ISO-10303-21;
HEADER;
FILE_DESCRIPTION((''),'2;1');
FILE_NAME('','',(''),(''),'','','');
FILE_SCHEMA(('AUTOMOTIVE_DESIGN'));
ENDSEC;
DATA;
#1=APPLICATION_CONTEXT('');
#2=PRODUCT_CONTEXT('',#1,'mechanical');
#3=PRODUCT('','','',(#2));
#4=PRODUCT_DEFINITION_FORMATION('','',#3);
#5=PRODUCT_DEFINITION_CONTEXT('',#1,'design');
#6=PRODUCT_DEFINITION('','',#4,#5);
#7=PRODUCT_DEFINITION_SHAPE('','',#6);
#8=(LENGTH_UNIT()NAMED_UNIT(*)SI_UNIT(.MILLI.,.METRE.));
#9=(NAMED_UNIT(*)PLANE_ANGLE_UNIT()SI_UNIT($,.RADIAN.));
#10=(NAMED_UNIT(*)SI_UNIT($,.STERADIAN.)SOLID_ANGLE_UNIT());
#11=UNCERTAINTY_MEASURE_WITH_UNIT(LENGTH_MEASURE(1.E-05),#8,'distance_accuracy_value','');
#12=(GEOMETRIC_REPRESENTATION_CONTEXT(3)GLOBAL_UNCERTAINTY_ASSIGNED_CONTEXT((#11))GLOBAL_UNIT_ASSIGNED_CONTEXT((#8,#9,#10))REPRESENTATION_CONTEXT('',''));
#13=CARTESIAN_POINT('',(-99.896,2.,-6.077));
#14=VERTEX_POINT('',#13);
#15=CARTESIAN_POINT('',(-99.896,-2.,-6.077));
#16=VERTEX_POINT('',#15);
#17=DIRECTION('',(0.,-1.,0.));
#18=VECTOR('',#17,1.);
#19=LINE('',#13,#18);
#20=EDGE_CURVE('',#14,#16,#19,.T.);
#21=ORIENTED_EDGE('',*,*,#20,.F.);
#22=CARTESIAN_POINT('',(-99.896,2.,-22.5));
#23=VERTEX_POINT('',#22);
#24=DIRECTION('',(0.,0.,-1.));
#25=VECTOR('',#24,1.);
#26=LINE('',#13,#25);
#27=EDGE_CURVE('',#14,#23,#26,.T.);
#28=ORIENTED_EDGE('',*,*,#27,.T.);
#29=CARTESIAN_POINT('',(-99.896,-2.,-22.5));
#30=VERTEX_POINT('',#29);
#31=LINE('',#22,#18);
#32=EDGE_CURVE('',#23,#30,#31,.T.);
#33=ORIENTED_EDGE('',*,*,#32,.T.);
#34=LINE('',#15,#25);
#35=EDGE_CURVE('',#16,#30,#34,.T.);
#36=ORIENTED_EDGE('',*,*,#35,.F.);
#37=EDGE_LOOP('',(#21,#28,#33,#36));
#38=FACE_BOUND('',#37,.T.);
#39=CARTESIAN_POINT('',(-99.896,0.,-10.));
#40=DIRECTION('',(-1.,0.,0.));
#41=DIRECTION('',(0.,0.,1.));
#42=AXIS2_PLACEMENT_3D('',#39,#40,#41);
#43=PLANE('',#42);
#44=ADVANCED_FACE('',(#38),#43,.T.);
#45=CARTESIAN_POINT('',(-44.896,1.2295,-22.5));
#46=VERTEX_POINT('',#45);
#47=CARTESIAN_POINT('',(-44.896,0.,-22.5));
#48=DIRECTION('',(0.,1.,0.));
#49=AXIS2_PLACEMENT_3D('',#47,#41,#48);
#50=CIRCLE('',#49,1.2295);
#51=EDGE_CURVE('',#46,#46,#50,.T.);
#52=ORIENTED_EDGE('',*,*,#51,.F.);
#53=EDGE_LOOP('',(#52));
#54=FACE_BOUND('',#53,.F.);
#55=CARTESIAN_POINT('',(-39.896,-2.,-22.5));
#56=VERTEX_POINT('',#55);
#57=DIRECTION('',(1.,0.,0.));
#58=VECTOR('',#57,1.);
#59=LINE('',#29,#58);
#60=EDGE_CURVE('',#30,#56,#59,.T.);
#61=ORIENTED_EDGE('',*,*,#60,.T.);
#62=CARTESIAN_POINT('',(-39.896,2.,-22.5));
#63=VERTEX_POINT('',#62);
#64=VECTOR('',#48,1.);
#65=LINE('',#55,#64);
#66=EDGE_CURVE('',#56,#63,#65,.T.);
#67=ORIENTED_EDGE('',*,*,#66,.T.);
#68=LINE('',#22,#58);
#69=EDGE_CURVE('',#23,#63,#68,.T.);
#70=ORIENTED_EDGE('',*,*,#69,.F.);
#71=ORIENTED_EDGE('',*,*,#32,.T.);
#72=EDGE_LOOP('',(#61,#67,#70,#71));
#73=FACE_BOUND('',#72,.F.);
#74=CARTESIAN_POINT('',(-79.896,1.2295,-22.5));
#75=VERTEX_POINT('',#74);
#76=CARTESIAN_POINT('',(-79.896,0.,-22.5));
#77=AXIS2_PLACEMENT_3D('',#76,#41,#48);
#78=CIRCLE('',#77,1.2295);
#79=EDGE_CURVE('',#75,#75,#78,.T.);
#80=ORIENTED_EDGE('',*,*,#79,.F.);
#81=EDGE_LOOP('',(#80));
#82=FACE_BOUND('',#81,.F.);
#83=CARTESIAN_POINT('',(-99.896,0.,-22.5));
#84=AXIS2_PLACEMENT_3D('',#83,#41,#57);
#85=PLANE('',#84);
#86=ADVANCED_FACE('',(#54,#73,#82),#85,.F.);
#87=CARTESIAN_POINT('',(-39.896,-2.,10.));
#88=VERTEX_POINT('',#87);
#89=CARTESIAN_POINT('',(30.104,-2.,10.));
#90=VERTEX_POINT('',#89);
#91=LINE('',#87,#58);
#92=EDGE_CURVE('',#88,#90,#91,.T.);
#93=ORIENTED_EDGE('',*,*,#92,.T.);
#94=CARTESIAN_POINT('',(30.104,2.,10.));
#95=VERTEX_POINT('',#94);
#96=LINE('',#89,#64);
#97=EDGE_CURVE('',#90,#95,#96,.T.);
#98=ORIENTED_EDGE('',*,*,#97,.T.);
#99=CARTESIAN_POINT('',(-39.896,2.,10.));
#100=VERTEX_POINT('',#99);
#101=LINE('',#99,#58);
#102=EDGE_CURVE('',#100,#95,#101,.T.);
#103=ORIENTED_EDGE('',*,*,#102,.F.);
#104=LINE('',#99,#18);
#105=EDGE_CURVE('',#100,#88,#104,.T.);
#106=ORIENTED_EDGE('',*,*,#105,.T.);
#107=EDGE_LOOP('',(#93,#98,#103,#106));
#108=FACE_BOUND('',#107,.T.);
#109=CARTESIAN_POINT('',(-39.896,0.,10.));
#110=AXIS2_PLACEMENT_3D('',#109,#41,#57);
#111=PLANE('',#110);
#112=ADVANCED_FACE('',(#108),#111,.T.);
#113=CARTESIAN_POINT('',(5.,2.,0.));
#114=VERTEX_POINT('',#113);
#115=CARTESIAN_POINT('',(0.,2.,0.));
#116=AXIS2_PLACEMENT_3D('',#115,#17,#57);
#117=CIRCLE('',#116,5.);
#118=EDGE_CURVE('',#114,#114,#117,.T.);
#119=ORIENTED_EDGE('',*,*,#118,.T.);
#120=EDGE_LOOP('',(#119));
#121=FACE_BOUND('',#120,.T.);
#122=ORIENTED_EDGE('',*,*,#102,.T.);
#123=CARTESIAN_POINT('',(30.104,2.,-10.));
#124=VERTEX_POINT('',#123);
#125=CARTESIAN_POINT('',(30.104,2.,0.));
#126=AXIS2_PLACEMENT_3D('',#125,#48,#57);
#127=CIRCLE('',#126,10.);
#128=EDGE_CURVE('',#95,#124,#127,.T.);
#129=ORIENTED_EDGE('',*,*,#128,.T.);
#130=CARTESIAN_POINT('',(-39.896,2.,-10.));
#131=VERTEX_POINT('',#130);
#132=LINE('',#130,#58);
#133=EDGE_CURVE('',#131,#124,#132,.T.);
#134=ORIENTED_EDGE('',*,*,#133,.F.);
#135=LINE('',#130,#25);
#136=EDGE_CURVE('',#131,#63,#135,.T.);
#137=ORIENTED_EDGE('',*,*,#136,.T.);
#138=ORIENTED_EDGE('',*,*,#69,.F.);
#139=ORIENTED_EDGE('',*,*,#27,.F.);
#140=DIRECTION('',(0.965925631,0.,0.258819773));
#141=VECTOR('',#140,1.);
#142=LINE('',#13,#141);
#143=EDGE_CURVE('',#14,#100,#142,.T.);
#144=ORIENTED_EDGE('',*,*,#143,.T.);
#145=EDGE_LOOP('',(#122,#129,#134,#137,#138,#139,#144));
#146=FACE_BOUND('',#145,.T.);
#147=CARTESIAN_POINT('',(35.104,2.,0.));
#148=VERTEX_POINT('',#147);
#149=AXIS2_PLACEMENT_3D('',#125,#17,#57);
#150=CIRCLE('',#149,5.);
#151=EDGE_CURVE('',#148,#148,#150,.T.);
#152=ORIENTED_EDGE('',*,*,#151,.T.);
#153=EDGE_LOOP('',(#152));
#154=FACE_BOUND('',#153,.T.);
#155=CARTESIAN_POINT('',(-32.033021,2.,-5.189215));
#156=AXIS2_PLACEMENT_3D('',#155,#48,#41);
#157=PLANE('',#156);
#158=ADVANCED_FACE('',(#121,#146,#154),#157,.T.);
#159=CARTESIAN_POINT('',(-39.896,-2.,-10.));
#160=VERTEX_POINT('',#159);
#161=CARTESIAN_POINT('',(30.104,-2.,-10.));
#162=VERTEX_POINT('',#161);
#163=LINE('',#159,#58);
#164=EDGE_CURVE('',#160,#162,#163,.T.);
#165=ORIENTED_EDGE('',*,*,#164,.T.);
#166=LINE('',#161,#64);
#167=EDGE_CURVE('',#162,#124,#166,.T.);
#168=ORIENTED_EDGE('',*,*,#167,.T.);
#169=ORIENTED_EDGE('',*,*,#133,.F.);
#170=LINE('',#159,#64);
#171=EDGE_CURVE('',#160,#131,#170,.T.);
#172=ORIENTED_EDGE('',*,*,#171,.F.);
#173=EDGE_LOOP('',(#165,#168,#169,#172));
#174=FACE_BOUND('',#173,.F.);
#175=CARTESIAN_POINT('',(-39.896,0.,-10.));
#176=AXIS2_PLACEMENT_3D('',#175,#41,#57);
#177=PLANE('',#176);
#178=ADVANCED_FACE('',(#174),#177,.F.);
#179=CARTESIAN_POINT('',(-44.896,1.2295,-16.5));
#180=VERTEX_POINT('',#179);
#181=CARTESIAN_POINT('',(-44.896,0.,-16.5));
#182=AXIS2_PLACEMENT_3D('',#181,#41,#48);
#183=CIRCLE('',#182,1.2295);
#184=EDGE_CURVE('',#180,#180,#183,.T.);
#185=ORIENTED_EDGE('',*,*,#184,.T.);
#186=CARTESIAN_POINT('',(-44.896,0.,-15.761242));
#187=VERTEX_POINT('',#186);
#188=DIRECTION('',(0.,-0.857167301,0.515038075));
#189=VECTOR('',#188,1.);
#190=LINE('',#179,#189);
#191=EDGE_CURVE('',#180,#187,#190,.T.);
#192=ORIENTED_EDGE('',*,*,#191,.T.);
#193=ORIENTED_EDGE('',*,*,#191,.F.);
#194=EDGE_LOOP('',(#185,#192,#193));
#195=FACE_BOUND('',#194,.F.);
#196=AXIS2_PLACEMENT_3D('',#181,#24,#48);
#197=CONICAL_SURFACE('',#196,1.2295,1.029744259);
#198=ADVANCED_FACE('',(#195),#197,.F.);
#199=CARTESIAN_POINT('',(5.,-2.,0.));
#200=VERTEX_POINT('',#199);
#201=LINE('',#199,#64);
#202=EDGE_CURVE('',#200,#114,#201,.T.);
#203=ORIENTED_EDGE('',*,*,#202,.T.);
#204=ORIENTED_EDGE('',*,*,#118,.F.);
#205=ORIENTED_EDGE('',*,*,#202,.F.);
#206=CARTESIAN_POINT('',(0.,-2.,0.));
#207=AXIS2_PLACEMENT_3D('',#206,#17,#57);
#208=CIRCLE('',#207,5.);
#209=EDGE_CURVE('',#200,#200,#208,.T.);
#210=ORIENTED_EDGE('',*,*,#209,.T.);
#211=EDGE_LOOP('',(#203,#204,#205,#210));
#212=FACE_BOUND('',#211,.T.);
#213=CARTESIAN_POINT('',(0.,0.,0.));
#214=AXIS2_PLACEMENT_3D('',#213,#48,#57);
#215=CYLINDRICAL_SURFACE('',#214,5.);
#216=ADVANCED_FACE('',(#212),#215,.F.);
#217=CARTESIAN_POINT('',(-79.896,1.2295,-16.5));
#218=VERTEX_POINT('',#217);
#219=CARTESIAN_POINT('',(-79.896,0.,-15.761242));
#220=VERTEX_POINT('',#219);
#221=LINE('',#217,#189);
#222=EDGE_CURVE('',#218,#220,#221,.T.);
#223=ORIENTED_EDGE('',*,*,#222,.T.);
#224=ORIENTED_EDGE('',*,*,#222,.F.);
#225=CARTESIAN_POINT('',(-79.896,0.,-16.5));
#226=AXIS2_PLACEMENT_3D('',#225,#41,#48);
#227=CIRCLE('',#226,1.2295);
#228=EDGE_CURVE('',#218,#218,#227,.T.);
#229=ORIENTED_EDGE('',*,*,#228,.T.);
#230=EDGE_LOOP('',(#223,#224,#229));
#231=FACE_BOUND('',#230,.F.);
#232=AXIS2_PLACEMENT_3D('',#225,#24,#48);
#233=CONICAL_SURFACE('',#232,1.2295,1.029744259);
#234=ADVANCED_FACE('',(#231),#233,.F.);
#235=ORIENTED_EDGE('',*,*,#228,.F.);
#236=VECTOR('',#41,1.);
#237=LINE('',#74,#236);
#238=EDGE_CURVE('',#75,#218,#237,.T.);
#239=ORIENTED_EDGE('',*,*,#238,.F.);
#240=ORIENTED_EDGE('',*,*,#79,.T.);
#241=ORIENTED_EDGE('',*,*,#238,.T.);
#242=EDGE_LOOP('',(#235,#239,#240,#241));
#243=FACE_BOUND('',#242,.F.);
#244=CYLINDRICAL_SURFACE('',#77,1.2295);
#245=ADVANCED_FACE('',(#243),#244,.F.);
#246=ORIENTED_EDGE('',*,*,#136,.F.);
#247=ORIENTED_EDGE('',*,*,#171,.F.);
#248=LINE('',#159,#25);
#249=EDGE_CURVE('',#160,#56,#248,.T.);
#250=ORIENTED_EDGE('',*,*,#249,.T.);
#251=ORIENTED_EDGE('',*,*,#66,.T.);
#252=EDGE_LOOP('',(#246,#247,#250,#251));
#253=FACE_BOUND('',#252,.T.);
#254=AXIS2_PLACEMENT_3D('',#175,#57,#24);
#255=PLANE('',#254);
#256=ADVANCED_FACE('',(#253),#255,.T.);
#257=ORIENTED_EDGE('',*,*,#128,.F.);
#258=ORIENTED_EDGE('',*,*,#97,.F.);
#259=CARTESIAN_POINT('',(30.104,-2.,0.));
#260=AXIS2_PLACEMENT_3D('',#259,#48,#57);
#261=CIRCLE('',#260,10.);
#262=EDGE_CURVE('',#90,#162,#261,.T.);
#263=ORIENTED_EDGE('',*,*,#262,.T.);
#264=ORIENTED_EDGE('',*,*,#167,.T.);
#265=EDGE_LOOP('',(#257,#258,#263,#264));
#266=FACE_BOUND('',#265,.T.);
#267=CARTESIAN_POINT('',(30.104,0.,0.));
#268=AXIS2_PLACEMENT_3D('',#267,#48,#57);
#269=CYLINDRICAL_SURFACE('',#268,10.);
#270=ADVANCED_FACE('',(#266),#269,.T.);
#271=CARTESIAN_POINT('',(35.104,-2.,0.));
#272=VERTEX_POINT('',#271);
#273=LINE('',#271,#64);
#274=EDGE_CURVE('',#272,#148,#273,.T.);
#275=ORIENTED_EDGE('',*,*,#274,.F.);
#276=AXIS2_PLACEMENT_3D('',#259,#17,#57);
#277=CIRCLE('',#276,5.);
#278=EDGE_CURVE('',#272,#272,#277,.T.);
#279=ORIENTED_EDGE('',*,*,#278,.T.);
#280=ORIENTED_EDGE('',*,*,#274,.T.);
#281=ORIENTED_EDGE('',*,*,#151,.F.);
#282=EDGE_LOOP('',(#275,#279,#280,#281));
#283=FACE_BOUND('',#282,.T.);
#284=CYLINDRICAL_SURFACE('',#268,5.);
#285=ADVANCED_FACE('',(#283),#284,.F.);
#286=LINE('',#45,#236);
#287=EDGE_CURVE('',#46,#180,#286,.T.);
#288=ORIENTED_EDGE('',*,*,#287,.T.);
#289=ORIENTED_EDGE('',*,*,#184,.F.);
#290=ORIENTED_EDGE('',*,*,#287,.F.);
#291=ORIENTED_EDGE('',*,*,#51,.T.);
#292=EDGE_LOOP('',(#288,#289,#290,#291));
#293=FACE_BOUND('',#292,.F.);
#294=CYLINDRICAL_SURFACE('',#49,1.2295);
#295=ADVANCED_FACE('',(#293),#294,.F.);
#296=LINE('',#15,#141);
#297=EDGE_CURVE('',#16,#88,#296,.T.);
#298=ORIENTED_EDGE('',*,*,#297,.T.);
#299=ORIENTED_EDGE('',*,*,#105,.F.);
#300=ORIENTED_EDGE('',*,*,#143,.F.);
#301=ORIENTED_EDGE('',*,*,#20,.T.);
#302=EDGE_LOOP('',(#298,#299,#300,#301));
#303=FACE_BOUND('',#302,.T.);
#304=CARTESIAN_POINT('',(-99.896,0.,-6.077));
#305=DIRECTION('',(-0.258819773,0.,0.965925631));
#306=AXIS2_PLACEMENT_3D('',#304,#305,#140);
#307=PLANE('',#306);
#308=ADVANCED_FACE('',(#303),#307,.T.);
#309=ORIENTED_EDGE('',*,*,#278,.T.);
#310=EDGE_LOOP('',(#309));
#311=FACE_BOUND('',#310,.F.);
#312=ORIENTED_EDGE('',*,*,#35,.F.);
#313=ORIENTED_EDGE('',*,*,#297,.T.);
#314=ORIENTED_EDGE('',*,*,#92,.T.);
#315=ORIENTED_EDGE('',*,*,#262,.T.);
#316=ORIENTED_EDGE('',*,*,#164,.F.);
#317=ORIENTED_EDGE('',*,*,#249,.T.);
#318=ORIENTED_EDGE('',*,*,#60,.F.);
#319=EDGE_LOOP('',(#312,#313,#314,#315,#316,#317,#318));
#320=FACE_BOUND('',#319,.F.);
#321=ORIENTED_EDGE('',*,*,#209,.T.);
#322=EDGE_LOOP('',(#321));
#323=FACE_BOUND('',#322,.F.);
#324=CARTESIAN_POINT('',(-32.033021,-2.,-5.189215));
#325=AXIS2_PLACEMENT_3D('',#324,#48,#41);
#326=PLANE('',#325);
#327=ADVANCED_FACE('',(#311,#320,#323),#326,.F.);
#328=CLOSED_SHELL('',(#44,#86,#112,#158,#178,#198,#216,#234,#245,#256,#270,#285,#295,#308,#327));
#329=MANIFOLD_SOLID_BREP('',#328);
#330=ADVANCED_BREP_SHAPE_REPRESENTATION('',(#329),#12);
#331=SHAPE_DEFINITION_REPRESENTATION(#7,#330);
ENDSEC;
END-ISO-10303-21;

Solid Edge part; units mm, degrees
sketch "Sketch1" plane through (0, 0, 0) normal (0, -1, 0) x (1, 0, 0)
  line L0 (-39.896, 10) -> (30.104, 10)
  line L1 (-39.896, -10) -> (30.104, -10)
  line L2 (-39.896, -10) -> (-39.896, -22.5)
  line L3 (-99.896, -22.5) -> (-39.896, -22.5)
  line L4 (-99.896, -10) -> (-99.896, -22.5)
  line L5 (-99.896, -10) -> (-99.896, -6.077)
  line L6 (-99.896, -6.077) -> (-39.896, 10)
  arc A0 (30.104, 10) -> (30.104, -10) centre (30.104, 0) cw
  circle A1 centre (30.104, 0) radius 5
  circle A2 centre (0, 0) radius 5
  dimension "D1" = 10
  dimension "D2" = 30.104
  dimension "D3" = 10
  dimension "D4" = 70
  dimension "D5" = 70
  dimension "D6" = 12.5
  dimension "D7" = 60
  dimension "D8" = 16.423
extrude "Protrusion1" add sketch "Sketch1" along normal mid plane 4
hole "Agujero_1" at (-79.896, 0, -22.5) direction (0, 0, 1) diameter 2.459 depth 6 tip angle 118 thread major 3 thread length 5
hole "Hole1" at (-44.896, 0, -22.5) direction (0, 0, 1) diameter 2.459 depth 6 tip angle 118 thread major 3 thread length 5
properties part number "1976-1500-005" material "Aluminio, 7075-T6"
